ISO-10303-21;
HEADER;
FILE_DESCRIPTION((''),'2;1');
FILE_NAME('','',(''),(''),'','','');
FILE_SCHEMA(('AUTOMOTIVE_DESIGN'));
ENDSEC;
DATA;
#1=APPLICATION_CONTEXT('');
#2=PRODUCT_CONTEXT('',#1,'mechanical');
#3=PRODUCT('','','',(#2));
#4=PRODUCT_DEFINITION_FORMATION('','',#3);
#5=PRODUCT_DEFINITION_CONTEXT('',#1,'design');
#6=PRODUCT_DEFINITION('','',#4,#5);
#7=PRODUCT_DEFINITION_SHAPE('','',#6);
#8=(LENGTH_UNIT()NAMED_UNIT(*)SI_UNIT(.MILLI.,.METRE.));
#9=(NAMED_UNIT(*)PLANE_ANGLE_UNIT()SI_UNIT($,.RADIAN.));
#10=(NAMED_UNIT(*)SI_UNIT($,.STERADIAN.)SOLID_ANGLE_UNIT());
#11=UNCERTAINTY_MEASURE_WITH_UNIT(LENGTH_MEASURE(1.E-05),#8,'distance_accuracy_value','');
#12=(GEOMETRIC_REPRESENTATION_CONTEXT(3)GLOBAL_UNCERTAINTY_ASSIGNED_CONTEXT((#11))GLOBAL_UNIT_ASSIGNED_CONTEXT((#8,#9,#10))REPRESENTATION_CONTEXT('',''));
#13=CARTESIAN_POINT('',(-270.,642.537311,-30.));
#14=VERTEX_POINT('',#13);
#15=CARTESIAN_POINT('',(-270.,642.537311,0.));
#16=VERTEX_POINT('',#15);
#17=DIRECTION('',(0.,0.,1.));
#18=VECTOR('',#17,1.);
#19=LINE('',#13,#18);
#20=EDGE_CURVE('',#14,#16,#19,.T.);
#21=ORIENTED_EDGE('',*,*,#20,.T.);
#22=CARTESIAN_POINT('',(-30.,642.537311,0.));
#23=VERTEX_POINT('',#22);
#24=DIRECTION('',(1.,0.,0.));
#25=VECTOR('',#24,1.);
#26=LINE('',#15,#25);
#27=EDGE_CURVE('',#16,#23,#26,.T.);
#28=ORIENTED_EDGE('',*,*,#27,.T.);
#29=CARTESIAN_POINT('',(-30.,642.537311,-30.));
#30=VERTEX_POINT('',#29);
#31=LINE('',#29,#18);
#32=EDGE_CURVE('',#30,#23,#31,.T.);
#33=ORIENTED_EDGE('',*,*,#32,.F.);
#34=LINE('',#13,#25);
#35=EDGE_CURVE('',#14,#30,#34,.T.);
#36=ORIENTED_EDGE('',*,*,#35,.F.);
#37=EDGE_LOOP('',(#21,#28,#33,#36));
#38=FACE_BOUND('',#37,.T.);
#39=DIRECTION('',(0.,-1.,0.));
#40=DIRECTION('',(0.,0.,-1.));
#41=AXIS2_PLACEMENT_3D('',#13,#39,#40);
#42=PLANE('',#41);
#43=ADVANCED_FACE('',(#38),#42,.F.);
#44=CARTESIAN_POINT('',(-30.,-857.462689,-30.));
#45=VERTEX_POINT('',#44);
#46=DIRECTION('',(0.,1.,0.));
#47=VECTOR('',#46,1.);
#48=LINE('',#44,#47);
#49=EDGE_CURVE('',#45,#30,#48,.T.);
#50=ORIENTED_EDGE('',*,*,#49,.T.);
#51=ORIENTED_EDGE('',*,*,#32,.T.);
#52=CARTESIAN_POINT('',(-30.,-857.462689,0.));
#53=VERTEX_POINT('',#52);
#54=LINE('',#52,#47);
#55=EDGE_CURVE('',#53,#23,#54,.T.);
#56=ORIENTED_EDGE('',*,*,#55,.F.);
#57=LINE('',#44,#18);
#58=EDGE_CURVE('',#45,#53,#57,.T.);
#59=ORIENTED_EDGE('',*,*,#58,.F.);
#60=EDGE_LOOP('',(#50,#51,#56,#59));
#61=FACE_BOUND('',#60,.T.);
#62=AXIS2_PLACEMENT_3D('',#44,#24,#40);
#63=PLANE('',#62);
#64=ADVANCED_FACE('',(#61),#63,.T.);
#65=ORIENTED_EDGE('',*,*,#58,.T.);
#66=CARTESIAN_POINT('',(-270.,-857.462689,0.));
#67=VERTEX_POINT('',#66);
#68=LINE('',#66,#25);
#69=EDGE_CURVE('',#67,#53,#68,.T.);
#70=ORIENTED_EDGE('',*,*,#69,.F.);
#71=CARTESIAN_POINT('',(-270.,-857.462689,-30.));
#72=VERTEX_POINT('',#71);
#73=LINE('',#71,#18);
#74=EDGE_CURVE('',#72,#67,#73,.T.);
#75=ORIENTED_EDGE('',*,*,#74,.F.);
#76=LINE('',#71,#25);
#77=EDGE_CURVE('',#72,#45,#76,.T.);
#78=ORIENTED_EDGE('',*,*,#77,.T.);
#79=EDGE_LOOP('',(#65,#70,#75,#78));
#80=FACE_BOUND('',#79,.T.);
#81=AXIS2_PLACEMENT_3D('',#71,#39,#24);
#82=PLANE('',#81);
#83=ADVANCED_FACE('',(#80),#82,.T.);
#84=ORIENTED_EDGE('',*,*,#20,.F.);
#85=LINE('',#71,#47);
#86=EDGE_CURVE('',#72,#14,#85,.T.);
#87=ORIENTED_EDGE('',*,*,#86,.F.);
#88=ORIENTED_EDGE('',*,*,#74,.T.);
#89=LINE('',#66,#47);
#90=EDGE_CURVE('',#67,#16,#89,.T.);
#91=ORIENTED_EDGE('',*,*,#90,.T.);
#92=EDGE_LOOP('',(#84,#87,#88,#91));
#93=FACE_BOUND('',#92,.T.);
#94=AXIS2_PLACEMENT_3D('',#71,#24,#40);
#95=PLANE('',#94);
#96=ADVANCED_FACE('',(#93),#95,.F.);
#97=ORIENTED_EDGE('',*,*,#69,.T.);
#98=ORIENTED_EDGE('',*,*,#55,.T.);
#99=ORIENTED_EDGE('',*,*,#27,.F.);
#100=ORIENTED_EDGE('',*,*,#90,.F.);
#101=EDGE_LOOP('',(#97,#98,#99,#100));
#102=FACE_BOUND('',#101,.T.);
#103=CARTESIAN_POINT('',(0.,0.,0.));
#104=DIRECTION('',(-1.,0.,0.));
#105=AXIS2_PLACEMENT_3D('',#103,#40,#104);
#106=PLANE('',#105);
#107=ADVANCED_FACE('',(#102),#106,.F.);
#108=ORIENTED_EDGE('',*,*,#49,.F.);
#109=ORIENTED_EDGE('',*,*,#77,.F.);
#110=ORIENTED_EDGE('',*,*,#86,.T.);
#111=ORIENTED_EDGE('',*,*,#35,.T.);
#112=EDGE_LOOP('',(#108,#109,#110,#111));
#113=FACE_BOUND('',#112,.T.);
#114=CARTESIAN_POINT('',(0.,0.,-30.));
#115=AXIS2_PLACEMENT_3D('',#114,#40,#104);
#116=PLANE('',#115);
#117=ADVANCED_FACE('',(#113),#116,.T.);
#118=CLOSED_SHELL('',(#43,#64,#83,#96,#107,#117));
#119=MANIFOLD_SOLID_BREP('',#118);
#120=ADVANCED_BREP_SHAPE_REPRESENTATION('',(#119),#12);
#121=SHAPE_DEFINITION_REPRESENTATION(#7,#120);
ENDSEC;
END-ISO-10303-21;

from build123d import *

# Parameters (mm, degrees)
SKETCH1_W           = 240
SKETCH1_H           = 1500
BOSS_EXTRUDE1_DEPTH = 30


with BuildPart() as part:
    # Sketch1 → Boss-Extrude1 (new body)
    with BuildSketch(Plane.XY):
        with Locations((-150, -107.462689126)):
            Rectangle(SKETCH1_W, SKETCH1_H)
    extrude(amount=-BOSS_EXTRUDE1_DEPTH)


solid = part.part
